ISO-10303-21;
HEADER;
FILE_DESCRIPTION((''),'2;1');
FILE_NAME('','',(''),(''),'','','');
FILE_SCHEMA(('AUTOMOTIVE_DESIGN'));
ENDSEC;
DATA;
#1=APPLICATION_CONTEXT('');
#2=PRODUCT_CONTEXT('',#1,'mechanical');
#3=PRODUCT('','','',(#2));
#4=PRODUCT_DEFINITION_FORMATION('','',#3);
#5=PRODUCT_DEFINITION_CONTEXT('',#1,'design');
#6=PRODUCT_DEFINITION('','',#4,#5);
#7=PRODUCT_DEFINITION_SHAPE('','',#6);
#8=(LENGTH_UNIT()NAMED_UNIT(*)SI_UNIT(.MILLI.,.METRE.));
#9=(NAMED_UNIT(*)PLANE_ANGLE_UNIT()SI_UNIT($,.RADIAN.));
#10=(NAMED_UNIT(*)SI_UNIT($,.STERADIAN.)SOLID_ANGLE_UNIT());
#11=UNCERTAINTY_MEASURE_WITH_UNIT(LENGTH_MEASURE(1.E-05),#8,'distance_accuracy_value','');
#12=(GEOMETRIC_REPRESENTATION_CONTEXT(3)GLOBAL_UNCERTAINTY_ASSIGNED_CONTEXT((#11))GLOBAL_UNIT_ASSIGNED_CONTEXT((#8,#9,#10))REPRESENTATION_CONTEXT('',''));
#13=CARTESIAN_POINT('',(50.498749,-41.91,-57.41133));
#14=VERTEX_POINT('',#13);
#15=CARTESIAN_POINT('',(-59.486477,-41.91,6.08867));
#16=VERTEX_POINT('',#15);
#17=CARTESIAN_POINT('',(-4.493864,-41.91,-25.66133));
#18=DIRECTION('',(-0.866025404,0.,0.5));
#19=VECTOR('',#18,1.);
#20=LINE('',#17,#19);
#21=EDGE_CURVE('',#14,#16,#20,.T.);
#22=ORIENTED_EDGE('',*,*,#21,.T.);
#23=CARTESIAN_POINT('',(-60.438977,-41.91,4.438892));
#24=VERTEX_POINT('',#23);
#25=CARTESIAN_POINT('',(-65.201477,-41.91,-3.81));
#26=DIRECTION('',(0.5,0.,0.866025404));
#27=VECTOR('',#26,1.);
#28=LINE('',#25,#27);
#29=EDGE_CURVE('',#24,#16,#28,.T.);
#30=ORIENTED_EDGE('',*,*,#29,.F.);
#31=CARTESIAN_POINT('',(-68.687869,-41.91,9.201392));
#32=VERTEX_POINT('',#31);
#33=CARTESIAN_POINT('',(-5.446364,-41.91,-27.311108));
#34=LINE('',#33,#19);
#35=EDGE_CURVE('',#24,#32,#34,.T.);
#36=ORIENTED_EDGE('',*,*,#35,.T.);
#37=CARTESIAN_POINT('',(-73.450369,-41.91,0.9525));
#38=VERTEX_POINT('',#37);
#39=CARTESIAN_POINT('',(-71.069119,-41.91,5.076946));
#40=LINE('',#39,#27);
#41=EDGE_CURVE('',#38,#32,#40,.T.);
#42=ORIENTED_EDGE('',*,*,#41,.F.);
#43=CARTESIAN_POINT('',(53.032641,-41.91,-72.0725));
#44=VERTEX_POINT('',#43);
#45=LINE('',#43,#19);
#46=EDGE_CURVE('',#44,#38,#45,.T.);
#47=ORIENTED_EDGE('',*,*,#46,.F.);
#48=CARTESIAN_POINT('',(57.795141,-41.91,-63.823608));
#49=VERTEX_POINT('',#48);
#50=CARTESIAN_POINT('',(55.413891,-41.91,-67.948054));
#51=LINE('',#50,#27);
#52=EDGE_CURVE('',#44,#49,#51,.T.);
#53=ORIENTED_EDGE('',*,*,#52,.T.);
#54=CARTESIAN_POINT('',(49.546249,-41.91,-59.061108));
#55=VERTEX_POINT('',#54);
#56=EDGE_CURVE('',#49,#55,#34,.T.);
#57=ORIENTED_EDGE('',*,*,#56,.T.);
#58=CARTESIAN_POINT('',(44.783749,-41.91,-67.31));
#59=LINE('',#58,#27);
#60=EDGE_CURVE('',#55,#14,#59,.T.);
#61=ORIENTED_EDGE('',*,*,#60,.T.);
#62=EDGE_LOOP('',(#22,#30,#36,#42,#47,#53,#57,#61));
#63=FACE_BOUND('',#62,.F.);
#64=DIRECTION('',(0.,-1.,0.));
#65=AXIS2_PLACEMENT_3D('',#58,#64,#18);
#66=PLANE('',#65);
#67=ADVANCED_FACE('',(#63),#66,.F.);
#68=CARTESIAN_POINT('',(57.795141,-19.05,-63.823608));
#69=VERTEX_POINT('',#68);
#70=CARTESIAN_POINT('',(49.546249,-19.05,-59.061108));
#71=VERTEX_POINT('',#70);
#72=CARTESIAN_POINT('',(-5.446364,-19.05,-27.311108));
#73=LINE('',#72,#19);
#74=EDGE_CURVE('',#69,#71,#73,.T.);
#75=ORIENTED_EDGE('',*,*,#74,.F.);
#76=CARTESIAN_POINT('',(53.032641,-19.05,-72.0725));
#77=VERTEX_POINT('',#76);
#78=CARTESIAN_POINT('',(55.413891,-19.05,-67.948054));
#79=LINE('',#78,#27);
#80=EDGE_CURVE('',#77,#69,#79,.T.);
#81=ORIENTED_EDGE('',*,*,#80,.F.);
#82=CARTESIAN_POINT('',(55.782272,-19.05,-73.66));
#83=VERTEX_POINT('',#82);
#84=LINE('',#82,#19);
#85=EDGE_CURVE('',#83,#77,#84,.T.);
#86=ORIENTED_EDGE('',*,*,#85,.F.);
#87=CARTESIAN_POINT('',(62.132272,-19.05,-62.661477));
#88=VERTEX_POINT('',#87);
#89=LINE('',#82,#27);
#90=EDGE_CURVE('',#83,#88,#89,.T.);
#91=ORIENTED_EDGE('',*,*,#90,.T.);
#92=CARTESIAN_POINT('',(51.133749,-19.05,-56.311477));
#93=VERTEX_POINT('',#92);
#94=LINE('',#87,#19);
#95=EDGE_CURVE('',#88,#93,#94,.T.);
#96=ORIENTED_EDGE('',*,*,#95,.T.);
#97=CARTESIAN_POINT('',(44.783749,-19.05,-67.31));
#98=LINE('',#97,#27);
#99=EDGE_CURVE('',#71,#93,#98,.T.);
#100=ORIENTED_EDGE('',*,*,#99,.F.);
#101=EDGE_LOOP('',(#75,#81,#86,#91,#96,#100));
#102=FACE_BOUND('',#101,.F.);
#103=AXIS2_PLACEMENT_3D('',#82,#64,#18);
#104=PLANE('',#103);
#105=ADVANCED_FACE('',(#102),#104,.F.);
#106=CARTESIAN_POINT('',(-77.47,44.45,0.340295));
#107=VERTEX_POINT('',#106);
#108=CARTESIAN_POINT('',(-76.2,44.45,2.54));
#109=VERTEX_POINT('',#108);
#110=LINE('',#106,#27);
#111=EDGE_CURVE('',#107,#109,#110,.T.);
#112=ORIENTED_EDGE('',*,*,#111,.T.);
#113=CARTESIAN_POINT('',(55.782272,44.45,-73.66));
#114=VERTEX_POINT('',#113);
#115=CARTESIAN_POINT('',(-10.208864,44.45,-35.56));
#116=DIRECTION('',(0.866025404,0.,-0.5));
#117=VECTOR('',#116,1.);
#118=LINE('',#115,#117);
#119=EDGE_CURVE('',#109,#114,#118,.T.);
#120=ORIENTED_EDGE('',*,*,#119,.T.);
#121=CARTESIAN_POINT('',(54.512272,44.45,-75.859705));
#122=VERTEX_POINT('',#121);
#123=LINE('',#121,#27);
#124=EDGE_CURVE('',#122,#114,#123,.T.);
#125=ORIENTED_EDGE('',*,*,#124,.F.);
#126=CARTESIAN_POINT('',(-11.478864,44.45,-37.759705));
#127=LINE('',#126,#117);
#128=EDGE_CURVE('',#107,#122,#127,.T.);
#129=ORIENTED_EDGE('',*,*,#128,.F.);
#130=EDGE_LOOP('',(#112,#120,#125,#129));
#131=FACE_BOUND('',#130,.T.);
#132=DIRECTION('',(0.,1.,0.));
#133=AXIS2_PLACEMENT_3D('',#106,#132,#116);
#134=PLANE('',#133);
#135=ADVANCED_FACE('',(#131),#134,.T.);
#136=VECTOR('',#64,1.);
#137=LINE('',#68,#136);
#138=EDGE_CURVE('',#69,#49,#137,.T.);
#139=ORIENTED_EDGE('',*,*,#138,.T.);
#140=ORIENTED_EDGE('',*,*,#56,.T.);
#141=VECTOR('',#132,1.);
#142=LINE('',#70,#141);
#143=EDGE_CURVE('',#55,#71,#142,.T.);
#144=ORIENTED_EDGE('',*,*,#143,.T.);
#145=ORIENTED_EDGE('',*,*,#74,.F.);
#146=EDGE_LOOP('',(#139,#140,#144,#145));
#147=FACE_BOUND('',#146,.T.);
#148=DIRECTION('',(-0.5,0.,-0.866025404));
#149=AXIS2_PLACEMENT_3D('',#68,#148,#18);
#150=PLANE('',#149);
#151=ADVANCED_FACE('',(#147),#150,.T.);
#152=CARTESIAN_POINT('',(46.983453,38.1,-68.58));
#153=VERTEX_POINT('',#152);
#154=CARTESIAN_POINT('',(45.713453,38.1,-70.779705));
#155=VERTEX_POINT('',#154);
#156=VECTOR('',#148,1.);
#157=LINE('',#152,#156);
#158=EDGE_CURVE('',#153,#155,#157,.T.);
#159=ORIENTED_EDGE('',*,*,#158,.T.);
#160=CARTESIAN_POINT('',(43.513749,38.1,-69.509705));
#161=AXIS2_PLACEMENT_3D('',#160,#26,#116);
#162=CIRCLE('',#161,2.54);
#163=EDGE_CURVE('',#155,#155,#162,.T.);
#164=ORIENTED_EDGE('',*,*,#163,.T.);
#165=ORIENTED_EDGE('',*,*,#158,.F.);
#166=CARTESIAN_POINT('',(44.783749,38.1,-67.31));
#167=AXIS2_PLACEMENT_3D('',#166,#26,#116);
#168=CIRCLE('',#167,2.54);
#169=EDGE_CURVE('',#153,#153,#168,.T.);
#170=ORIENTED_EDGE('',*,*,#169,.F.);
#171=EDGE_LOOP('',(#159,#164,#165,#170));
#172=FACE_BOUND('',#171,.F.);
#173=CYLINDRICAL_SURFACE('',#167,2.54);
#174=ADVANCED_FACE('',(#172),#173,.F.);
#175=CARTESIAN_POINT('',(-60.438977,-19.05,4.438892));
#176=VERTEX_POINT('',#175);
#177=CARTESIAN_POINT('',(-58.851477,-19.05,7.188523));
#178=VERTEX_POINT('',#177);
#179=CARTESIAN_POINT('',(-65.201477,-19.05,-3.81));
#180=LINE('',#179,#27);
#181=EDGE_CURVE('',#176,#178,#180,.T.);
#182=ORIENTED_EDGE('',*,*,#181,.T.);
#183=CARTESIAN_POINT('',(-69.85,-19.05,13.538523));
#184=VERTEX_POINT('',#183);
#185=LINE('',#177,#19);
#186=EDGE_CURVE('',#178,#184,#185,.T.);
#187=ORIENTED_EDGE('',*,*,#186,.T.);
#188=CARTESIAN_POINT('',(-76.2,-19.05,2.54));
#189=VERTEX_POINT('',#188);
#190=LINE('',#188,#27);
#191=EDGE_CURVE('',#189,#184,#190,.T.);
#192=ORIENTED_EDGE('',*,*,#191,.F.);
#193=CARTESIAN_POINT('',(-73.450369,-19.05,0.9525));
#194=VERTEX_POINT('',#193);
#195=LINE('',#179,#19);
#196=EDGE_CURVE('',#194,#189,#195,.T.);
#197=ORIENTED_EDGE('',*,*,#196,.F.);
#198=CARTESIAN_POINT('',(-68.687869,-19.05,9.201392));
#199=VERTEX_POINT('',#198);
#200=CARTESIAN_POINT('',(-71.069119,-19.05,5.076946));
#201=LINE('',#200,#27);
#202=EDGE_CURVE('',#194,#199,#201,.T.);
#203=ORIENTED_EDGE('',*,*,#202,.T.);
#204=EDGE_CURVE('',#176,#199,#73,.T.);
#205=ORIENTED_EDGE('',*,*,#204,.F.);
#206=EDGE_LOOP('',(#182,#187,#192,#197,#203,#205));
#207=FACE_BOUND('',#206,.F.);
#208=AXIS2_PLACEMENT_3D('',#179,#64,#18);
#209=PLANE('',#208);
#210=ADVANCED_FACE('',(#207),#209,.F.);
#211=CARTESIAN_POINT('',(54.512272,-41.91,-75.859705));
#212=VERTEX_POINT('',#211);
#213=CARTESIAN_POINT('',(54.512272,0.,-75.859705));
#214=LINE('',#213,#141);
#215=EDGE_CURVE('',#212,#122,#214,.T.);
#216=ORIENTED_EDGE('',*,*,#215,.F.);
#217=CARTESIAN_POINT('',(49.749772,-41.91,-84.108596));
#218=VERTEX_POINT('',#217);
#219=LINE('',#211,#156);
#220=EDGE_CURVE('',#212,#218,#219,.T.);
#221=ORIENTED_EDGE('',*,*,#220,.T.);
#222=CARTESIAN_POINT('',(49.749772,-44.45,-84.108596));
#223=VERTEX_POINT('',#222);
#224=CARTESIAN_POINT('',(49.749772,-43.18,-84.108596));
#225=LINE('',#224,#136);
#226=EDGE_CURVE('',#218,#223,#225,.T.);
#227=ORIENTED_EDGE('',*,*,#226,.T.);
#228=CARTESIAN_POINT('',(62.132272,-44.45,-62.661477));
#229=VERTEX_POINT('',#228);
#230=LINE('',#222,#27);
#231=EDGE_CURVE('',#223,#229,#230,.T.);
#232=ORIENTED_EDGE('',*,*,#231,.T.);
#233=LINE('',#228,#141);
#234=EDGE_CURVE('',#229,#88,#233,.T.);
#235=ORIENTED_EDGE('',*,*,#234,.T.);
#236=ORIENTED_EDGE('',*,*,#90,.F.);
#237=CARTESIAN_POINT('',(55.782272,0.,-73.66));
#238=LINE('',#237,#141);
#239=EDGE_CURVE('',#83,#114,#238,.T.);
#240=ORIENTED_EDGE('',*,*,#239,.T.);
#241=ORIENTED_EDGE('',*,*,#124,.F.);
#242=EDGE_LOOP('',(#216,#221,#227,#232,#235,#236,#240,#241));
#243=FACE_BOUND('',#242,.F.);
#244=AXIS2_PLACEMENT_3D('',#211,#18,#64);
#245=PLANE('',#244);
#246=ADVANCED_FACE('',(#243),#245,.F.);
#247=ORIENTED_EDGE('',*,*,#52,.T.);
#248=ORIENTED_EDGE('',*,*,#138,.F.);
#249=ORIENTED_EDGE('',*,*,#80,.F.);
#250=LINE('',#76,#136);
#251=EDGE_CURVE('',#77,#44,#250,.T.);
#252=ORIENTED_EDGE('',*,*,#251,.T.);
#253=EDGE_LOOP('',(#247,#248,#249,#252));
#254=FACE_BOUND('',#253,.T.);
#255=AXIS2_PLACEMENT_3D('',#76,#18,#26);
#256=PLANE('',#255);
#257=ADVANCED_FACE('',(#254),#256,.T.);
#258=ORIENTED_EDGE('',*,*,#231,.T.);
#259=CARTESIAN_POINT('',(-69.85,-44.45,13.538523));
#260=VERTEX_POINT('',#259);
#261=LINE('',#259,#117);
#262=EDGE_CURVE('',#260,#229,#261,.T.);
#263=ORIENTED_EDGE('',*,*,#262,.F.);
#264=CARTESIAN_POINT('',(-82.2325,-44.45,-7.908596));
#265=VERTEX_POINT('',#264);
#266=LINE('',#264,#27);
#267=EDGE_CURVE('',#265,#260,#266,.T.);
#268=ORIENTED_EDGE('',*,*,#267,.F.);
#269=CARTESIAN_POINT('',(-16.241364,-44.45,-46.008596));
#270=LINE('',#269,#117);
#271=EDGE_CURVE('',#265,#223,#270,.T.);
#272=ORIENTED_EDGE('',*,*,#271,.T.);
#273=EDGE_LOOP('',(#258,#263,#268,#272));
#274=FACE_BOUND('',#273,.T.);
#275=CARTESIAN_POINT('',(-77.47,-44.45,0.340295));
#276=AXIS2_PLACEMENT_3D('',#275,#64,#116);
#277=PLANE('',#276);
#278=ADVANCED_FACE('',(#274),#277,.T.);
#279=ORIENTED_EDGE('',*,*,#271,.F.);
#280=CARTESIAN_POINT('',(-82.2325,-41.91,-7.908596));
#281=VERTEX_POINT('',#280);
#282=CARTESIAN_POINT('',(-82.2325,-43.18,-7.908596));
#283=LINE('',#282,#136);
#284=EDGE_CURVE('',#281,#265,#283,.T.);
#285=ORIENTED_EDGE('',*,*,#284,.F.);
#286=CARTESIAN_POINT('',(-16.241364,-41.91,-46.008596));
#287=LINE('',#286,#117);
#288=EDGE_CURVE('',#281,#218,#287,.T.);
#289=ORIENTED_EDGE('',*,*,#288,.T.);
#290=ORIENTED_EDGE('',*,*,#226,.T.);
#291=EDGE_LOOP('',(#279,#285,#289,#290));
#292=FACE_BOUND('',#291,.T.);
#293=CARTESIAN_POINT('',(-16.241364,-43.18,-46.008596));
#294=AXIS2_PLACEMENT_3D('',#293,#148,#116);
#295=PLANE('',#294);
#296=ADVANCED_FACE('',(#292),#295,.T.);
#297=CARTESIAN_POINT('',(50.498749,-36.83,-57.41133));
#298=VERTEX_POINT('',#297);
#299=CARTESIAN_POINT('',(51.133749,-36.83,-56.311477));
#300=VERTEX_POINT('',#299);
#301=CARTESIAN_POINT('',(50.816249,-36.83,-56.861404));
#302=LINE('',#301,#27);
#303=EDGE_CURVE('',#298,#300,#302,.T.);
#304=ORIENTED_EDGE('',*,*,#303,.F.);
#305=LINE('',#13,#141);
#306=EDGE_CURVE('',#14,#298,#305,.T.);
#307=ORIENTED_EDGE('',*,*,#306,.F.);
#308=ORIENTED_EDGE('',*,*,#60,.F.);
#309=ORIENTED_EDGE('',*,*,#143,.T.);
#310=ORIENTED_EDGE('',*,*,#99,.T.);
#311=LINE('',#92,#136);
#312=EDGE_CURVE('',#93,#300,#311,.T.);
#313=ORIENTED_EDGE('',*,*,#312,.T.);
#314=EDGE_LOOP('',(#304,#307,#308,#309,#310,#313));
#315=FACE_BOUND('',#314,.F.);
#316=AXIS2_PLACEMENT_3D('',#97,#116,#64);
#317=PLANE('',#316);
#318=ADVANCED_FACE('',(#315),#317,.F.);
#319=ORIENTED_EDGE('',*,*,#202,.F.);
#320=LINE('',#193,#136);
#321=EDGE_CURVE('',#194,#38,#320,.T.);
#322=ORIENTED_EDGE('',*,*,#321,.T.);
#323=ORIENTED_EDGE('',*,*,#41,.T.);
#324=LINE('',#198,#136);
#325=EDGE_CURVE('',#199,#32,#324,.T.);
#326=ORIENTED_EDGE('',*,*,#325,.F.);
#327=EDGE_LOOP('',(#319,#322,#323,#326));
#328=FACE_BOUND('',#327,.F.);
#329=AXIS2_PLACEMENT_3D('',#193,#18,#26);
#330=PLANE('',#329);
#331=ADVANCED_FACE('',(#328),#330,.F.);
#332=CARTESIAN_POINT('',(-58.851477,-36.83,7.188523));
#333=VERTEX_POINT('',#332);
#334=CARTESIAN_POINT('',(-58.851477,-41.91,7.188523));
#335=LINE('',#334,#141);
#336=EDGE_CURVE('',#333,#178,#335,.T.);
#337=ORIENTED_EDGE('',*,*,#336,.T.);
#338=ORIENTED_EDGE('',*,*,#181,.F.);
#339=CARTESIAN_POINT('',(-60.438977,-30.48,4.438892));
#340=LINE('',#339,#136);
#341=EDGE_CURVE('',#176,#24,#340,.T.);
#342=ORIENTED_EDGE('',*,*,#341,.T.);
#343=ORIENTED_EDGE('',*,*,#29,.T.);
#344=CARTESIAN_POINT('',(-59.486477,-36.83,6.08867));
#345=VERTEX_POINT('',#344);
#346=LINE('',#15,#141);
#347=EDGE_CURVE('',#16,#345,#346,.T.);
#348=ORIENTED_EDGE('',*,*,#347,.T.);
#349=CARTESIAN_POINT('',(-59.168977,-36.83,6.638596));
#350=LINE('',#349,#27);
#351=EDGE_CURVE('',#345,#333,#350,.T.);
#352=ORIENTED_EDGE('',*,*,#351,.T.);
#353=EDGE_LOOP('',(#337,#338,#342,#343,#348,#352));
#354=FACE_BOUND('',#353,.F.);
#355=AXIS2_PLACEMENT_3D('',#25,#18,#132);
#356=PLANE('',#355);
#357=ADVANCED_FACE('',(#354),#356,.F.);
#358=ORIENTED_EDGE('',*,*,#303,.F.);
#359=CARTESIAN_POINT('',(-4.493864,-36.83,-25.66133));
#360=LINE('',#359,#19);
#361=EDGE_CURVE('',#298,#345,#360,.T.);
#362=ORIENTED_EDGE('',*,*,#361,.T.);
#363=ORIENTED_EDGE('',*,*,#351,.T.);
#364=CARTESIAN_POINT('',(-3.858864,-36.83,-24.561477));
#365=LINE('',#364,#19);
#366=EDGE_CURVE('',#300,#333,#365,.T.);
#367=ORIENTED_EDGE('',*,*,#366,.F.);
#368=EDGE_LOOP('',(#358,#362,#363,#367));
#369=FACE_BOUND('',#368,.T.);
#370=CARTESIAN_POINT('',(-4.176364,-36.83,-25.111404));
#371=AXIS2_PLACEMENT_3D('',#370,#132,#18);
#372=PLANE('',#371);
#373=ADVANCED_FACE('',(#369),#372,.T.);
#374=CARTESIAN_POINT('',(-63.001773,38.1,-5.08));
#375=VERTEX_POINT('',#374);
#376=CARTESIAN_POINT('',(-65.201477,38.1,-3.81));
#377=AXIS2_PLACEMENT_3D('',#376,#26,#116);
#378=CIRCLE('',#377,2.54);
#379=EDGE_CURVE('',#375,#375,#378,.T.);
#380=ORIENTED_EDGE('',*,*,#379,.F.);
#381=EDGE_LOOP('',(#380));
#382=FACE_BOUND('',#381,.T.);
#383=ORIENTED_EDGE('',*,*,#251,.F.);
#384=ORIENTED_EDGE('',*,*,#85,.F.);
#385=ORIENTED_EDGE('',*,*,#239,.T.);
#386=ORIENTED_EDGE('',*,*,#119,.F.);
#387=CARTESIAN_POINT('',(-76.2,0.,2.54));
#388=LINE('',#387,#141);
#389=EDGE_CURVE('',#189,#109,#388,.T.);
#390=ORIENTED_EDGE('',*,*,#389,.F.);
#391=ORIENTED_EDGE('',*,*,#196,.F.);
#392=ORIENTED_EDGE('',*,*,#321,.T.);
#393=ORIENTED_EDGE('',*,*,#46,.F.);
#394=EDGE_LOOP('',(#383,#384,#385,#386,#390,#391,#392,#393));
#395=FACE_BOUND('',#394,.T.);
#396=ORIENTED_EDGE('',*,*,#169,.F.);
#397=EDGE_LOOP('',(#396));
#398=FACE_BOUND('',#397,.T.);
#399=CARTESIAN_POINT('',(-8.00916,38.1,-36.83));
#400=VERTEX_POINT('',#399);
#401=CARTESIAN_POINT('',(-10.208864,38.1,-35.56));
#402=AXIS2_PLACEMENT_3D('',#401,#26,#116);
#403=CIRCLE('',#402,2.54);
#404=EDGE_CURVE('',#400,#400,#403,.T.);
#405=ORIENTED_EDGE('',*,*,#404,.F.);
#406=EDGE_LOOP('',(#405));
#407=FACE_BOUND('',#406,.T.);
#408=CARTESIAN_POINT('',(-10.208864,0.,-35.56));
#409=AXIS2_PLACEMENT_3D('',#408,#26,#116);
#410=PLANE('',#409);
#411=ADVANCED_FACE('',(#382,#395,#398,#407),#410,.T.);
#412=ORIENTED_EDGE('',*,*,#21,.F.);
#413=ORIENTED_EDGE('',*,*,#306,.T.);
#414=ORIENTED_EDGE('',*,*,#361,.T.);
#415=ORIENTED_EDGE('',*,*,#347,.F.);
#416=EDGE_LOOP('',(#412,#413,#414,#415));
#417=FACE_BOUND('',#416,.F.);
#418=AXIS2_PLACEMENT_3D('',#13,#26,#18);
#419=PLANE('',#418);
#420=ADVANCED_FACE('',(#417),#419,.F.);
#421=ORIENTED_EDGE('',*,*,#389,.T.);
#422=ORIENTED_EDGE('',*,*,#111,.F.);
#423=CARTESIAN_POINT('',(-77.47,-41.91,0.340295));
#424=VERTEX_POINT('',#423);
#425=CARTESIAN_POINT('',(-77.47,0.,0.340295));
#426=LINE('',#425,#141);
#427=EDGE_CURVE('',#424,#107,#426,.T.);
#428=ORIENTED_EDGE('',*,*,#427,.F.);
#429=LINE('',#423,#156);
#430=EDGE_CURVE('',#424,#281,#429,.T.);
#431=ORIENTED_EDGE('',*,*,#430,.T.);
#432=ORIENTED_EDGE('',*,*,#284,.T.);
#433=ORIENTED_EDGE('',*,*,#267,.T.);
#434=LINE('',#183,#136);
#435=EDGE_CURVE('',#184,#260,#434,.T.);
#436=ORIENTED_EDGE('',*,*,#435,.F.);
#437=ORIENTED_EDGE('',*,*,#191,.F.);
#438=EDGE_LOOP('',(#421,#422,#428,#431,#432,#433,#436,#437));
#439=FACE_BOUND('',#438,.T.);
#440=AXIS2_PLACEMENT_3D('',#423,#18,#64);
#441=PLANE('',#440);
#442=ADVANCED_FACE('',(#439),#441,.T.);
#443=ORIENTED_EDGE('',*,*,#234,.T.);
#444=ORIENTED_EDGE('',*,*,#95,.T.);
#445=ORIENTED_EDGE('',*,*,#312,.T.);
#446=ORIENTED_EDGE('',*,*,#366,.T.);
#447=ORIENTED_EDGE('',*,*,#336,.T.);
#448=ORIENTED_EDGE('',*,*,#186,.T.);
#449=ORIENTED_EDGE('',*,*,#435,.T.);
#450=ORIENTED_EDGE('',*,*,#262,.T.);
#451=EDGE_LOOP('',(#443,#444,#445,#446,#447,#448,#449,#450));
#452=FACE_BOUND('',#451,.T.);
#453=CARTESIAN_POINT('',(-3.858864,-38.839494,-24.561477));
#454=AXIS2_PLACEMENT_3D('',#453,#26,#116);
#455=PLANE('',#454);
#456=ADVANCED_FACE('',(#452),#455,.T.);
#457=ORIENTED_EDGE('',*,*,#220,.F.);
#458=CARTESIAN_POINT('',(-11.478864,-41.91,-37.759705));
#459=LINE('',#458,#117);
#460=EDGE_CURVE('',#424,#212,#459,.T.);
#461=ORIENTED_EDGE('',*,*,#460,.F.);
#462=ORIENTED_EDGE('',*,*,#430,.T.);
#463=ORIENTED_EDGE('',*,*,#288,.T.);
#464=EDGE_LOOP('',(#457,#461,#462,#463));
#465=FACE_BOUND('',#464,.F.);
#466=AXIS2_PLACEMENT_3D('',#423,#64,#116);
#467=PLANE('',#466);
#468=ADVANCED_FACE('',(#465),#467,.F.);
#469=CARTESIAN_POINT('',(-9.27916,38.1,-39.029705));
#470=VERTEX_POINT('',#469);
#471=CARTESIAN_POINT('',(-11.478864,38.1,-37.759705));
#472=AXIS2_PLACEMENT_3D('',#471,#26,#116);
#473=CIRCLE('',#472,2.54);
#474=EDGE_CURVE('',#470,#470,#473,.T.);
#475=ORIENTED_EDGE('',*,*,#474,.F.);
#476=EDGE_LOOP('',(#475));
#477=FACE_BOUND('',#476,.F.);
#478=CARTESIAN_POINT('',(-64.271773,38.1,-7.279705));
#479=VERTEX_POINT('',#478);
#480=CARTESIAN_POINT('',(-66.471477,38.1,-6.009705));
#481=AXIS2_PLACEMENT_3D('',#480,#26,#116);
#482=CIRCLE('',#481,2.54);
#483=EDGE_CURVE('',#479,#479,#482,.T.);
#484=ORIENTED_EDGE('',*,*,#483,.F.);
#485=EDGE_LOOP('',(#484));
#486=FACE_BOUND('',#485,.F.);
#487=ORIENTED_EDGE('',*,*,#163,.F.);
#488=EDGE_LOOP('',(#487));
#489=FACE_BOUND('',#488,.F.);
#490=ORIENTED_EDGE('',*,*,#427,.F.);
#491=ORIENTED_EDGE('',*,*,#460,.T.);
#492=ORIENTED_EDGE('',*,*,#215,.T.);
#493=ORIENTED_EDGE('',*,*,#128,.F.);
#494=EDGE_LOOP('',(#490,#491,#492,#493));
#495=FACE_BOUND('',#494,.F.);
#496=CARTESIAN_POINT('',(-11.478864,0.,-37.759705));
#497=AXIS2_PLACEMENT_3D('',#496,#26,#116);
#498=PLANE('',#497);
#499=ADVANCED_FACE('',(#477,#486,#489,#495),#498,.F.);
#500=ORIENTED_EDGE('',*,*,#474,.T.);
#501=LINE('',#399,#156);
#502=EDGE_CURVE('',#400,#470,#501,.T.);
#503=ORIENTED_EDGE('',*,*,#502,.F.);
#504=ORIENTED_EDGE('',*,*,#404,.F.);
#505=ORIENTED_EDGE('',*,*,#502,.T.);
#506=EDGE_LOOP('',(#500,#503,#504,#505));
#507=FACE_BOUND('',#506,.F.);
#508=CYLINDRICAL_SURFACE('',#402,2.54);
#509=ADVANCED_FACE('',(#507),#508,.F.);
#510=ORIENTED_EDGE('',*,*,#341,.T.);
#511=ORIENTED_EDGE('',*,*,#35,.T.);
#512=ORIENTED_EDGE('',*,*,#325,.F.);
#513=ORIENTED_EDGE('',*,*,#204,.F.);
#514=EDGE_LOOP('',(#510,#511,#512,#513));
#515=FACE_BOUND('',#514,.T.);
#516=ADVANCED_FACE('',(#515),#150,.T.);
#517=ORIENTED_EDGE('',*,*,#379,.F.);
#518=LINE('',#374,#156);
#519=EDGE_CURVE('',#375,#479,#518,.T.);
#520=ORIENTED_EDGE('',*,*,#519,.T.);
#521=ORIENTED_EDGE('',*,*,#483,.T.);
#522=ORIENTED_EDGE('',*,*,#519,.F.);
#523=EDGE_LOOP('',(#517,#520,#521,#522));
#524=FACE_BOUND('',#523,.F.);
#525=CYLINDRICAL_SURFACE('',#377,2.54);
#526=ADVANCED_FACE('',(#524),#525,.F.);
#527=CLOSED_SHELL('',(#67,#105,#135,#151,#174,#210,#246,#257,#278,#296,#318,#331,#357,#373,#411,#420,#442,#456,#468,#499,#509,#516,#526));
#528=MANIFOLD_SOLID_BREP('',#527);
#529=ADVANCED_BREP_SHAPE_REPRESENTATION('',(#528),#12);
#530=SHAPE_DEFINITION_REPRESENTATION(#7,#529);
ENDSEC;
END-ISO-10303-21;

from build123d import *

# Parameters (mm, degrees)
F0_W      = 152.4
F0_H      = 88.9
F1_DEPTH  = 2.54
F3_DEPTH  = 12.7
F4_W      = 127
F4_H      = 1.27
F5_DEPTH  = 5.08
F6_W      = 146.05
F6_H      = 9.525
F7_DEPTH  = 22.86
F8_R      = 2.54
F9_DEPTH  = 2.541
F10_W     = 152.4
F10_H     = 2.54
F11_DEPTH = 9.525
F12_ANGLE = 30


with BuildPart() as f1:
    # F0 (on Top) → F1 (new body)
    with BuildSketch(Plane.XY):
        Rectangle(F0_W, F0_H)
    extrude(amount=F1_DEPTH)

    # F2 (on face) → F3 (join)
    with BuildSketch(Plane.XY.offset(2.54)):
        Polygon((63.5, -41.91), (-63.5, -41.91), (-63.5, -19.05), (-76.2, -19.05), (-76.2, -44.45), (76.2, -44.45), (76.2, -19.05), (63.5, -19.05), align=None)
    extrude(amount=F3_DEPTH)

    # F4 (on face) → F5 (join)
    with BuildSketch(Plane(origin=(0, -41.91, 0), x_dir=(-1, 0, 0), z_dir=(0, 1, 0))):
        with Locations((0, 14.605)):
            Rectangle(F4_W, F4_H)
    extrude(amount=F5_DEPTH)

    # F6 (on face) → F7 (cut, through all)
    with BuildSketch(Plane(origin=(0, -19.05, 0), x_dir=(-1, 0, 0), z_dir=(0, 1, 0))):
        with Locations((0, 7.3025)):
            Rectangle(F6_W, F6_H)
    extrude(amount=-F7_DEPTH, mode=Mode.SUBTRACT)

    # F8 (on face) → F9 (cut, through all)
    with BuildSketch(Plane.XY.offset(2.54)):
        with Locations((0, 38.1)):
            Circle(F8_R)
        with Locations((-63.5, 38.1)):
            Circle(F8_R)
        with Locations((63.5, 38.1)):
            Circle(F8_R)
    extrude(amount=-F9_DEPTH, mode=Mode.SUBTRACT)

    # F10 (on face) → F11 (join)
    with BuildSketch(Plane(origin=(0, 0, 0), x_dir=(1, 0, 0), z_dir=(0, 0, -1))):
        with Locations((0, 43.18)):
            Rectangle(F10_W, F10_H)
    extrude(amount=F11_DEPTH)


with BuildPart() as f1_1:
    # F12: moved
    add(f1.part.rotate(Axis((-76.2, 12.7, 2.54), (0, 1, 0)), F12_ANGLE))


solid = f1_1.part
